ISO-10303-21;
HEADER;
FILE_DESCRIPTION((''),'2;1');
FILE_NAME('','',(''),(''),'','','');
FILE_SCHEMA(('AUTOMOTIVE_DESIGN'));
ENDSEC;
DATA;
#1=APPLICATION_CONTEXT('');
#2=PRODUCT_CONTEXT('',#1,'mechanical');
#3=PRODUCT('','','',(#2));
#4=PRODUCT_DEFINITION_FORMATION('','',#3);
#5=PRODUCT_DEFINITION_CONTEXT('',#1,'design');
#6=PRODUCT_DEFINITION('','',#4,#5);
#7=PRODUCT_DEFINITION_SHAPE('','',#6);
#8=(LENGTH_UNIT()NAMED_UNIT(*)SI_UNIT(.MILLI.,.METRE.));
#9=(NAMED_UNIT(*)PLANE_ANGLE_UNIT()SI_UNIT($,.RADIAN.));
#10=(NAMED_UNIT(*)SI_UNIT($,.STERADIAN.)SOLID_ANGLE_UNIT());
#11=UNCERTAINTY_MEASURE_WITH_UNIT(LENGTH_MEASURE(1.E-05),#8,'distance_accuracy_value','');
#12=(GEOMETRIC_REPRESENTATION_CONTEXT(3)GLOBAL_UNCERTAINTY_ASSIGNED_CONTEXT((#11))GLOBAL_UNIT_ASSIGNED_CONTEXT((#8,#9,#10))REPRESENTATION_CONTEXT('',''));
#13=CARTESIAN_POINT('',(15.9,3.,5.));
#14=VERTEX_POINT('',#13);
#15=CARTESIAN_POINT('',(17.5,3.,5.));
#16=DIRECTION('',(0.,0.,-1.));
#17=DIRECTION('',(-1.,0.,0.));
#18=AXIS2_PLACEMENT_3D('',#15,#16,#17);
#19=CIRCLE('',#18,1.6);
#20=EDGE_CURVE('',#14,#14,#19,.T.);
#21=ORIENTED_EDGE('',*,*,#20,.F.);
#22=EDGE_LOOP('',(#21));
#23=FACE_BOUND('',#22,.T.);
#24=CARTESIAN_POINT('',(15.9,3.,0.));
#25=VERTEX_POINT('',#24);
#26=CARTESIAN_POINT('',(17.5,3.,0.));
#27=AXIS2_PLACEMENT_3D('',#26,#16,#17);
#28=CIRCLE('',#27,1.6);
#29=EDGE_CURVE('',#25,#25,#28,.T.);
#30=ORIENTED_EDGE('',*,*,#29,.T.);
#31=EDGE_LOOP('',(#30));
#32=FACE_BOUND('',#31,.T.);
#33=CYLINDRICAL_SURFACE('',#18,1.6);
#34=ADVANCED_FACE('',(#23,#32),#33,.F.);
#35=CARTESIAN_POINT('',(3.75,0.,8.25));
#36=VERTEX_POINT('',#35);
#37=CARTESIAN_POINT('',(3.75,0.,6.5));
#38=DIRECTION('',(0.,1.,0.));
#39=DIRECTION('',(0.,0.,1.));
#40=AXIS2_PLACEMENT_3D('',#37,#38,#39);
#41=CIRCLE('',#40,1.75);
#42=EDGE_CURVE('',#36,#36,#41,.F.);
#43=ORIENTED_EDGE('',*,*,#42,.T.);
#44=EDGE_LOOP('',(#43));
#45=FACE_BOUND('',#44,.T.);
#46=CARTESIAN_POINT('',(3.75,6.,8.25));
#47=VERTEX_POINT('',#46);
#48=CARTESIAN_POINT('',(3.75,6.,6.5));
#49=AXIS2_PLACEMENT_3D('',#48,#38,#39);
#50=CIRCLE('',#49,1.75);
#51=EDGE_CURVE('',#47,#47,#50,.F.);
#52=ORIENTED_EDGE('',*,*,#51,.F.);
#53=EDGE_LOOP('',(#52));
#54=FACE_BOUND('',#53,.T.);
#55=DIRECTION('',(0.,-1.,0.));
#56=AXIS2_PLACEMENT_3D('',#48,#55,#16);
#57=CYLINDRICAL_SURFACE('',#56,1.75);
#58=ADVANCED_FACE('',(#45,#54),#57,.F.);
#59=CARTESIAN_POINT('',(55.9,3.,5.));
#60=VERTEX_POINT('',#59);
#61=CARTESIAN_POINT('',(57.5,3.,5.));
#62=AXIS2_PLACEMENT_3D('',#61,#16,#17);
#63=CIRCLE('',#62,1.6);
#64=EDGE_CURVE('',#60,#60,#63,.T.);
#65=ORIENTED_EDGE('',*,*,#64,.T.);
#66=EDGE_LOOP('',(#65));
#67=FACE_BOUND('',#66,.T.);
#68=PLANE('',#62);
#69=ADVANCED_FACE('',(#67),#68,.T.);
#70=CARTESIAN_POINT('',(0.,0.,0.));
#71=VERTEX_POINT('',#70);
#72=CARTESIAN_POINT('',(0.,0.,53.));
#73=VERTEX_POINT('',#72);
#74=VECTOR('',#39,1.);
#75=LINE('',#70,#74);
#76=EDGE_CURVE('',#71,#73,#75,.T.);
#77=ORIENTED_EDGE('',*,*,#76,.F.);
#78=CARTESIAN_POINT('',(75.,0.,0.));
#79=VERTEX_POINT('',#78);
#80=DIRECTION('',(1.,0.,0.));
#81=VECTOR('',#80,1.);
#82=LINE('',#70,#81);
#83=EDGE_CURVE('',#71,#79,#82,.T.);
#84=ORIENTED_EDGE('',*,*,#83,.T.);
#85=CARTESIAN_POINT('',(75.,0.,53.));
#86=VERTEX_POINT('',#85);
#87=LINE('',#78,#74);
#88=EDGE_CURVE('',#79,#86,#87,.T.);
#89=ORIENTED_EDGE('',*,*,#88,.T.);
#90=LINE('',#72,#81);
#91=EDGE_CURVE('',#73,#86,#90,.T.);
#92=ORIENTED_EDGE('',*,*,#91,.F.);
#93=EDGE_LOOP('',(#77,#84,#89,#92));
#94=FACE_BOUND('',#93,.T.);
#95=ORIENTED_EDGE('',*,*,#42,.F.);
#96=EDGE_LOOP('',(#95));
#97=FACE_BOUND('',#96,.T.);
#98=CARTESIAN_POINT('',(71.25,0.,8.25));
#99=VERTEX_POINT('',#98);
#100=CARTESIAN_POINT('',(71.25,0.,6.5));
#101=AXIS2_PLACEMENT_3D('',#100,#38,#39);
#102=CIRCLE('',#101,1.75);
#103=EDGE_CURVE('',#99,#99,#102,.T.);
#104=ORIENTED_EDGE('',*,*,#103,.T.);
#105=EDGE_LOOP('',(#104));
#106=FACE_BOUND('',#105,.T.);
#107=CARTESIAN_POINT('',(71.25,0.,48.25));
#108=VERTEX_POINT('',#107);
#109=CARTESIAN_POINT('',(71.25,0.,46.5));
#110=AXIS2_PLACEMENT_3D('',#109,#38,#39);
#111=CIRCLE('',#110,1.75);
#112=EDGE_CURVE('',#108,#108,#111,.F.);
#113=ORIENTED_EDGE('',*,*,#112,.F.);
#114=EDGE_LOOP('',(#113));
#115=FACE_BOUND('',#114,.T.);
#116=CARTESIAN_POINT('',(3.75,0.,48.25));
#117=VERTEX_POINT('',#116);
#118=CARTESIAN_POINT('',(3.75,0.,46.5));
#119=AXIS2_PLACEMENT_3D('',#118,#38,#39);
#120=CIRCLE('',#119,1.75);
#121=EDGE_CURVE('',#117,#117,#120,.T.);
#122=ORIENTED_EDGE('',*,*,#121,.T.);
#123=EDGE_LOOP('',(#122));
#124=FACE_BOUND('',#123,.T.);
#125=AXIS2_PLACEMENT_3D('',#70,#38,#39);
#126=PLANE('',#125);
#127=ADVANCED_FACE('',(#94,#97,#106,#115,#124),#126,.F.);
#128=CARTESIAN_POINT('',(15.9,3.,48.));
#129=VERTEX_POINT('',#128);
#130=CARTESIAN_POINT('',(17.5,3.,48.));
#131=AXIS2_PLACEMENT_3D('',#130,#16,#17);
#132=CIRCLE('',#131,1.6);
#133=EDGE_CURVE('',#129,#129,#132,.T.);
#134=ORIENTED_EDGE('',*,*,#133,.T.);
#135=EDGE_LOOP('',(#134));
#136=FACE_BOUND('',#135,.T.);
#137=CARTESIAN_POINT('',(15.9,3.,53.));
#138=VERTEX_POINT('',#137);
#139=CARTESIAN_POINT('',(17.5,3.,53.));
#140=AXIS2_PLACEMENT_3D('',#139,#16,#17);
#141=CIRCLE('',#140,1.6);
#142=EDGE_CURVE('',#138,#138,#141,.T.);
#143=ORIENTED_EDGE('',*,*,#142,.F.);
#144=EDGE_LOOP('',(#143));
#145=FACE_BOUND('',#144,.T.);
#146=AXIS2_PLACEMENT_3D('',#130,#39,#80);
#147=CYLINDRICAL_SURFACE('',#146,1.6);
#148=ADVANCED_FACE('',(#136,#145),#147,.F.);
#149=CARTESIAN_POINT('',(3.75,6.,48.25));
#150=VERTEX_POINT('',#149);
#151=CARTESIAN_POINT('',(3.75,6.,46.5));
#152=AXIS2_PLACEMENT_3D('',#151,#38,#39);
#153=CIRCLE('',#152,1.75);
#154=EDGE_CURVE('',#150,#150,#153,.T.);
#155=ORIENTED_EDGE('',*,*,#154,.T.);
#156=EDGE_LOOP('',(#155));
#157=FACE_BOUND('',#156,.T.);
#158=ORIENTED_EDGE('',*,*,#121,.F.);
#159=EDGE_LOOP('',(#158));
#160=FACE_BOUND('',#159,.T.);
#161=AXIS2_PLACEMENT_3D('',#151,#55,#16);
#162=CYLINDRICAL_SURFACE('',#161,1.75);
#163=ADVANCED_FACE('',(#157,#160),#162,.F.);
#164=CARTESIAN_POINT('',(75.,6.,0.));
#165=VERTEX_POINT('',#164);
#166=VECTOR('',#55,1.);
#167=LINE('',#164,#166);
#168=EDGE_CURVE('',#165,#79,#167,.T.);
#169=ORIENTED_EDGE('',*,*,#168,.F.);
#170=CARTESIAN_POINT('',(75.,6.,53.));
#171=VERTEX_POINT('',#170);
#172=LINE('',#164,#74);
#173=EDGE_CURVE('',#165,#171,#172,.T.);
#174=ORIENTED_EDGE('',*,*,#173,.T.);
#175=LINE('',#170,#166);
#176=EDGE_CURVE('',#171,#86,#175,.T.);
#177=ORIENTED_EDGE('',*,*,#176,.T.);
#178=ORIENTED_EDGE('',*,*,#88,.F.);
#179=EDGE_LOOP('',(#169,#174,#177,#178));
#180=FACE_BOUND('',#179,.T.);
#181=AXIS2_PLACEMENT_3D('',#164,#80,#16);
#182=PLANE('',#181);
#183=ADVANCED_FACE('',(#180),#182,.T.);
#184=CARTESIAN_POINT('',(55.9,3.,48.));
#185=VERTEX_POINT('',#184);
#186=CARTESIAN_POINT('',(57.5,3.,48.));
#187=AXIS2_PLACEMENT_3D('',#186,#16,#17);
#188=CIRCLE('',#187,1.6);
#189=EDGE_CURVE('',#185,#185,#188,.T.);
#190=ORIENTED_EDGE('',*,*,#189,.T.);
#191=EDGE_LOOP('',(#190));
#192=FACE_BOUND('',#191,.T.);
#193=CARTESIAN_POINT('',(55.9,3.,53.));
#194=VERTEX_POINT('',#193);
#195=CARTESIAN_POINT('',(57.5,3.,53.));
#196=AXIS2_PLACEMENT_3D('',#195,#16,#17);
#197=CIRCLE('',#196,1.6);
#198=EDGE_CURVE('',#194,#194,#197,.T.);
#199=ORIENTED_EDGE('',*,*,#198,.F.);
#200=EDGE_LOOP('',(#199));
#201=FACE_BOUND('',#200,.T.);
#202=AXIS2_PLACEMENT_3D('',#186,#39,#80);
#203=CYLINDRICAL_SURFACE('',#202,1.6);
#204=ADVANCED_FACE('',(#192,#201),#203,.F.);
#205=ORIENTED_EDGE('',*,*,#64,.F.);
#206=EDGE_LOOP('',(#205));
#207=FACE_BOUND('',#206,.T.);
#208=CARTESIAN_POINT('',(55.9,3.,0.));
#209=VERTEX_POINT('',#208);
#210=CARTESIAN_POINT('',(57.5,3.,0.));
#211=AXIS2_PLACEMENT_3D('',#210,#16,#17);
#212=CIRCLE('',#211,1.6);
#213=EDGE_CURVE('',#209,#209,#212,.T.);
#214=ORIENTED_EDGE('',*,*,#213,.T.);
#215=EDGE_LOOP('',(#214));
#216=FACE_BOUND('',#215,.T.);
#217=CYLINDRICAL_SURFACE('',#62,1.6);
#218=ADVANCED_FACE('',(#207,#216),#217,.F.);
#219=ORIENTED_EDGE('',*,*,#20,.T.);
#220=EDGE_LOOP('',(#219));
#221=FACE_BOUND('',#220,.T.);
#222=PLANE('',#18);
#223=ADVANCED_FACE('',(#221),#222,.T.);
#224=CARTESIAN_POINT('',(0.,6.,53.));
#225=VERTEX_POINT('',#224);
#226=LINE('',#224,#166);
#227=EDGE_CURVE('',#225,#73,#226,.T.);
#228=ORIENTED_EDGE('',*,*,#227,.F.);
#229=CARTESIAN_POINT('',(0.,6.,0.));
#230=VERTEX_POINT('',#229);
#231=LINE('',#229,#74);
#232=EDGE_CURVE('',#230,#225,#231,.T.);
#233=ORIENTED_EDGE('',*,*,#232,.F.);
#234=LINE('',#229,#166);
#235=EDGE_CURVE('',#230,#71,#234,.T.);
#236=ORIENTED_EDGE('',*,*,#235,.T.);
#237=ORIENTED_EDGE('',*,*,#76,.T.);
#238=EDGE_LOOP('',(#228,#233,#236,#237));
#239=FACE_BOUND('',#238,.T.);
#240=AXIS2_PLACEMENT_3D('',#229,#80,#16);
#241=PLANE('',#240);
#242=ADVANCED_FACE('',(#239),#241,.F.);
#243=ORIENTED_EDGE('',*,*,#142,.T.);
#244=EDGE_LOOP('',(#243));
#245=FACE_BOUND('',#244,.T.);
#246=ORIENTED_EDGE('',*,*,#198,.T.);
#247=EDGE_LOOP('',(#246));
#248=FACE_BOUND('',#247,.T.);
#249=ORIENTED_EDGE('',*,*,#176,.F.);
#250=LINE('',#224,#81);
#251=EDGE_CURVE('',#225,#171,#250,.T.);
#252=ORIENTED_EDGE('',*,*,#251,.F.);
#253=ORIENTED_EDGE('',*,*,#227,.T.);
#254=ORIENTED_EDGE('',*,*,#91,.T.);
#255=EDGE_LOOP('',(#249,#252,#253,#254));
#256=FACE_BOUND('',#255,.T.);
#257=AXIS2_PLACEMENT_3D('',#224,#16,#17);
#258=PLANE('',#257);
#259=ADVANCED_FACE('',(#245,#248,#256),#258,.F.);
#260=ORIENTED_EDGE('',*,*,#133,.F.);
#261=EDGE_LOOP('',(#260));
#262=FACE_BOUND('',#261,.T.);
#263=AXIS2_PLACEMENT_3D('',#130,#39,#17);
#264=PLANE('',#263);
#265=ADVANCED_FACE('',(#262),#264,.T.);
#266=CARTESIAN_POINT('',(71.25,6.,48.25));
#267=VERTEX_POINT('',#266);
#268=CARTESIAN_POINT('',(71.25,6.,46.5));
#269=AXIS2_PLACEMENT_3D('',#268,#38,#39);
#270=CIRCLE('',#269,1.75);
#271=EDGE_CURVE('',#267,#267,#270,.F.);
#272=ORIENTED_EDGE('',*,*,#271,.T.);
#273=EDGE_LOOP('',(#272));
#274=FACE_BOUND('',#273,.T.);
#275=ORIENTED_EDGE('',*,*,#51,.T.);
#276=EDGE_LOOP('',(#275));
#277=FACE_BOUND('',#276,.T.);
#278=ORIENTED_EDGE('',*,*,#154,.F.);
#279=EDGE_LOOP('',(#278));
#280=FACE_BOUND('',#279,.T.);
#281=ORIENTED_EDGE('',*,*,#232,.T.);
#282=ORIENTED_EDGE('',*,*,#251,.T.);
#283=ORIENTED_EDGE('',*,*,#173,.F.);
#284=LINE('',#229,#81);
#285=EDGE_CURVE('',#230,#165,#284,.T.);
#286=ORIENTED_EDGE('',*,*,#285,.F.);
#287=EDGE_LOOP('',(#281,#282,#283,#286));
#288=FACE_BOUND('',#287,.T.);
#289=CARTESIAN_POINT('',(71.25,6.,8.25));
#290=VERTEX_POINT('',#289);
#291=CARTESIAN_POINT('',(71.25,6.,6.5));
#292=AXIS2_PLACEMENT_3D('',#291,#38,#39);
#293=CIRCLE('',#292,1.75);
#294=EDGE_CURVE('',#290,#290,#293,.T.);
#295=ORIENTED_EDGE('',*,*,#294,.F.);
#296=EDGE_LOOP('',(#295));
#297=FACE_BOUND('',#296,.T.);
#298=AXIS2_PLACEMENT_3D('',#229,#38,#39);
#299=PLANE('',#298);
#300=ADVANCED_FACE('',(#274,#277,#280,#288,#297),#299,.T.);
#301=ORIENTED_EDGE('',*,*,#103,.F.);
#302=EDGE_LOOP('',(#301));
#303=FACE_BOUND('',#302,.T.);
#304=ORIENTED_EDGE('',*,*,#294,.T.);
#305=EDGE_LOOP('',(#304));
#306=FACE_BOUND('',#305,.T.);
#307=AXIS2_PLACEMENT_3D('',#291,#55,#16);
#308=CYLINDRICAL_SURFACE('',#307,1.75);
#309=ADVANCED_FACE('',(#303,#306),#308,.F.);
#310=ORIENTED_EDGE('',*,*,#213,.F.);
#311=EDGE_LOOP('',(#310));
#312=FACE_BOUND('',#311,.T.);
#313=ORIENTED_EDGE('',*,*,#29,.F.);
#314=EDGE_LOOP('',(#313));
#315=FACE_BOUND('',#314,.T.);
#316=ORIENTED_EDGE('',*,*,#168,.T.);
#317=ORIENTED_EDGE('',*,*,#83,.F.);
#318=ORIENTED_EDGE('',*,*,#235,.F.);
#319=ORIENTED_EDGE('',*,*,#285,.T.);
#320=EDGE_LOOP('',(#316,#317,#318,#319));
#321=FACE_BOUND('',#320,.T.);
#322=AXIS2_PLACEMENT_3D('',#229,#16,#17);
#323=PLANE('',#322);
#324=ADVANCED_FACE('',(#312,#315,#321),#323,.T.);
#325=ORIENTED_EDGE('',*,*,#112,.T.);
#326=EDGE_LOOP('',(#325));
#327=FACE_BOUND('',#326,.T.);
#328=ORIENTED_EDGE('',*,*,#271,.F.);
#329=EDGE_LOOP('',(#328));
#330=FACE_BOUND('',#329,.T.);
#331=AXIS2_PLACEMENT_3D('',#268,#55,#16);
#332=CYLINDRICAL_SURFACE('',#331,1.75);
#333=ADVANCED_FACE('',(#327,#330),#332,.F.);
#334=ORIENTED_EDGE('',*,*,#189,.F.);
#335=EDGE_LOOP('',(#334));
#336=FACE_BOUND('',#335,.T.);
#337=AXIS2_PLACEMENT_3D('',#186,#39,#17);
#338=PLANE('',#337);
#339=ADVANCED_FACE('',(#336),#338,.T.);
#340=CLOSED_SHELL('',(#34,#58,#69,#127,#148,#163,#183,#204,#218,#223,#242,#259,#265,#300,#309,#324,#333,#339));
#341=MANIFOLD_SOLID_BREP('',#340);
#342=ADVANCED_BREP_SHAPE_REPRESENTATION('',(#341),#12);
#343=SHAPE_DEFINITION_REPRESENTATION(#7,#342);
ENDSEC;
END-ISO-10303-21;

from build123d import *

# Parameters (mm, degrees)
SKETCH1_W           = 75
SKETCH1_H           = 53
SKETCH1_R           = 1.75
BOSS_EXTRUDE8_DEPTH = 6
SKETCH6_R           = 1.6
CUT_EXTRUDE2_DEPTH  = 5


with BuildPart() as part:
    # Sketch1 → Boss-Extrude8 (new body)
    with BuildSketch(Plane(origin=(0, 0, 0), x_dir=(1, 0, 0), z_dir=(0, 1, 0))):
        with Locations((37.5, -26.5)):
            Rectangle(SKETCH1_W, SKETCH1_H)
        with Locations(Location((71.25, -6.5, 0), (0, 0, 270))):
            Circle(SKETCH1_R, mode=Mode.SUBTRACT)
        with Locations(Location((3.75, -6.5, 0), (0, 0, 270))):
            Circle(SKETCH1_R, mode=Mode.SUBTRACT)
        with Locations(Location((71.25, -46.5, 0), (0, 0, 270))):
            Circle(SKETCH1_R, mode=Mode.SUBTRACT)
        with Locations(Location((3.75, -46.5, 0), (0, 0, 270))):
            Circle(SKETCH1_R, mode=Mode.SUBTRACT)
    extrude(amount=BOSS_EXTRUDE8_DEPTH)

    # Sketch6 → Cut-Extrude2 (cut)
    with BuildSketch(Plane(origin=(0, 0, 0), x_dir=(-1, 0, 0), z_dir=(0, 0, -1))):
        with Locations((-57.5, 3)):
            Circle(SKETCH6_R)
        with Locations((-17.5, 3)):
            Circle(SKETCH6_R)
    cut_extrude2 = extrude(amount=-CUT_EXTRUDE2_DEPTH, mode=Mode.SUBTRACT)

    # Mirror1: Cut-Extrude2 across plane
    add(cut_extrude2.mirror(Plane.XY.offset(26.5)), mode=Mode.SUBTRACT)


solid = part.part
